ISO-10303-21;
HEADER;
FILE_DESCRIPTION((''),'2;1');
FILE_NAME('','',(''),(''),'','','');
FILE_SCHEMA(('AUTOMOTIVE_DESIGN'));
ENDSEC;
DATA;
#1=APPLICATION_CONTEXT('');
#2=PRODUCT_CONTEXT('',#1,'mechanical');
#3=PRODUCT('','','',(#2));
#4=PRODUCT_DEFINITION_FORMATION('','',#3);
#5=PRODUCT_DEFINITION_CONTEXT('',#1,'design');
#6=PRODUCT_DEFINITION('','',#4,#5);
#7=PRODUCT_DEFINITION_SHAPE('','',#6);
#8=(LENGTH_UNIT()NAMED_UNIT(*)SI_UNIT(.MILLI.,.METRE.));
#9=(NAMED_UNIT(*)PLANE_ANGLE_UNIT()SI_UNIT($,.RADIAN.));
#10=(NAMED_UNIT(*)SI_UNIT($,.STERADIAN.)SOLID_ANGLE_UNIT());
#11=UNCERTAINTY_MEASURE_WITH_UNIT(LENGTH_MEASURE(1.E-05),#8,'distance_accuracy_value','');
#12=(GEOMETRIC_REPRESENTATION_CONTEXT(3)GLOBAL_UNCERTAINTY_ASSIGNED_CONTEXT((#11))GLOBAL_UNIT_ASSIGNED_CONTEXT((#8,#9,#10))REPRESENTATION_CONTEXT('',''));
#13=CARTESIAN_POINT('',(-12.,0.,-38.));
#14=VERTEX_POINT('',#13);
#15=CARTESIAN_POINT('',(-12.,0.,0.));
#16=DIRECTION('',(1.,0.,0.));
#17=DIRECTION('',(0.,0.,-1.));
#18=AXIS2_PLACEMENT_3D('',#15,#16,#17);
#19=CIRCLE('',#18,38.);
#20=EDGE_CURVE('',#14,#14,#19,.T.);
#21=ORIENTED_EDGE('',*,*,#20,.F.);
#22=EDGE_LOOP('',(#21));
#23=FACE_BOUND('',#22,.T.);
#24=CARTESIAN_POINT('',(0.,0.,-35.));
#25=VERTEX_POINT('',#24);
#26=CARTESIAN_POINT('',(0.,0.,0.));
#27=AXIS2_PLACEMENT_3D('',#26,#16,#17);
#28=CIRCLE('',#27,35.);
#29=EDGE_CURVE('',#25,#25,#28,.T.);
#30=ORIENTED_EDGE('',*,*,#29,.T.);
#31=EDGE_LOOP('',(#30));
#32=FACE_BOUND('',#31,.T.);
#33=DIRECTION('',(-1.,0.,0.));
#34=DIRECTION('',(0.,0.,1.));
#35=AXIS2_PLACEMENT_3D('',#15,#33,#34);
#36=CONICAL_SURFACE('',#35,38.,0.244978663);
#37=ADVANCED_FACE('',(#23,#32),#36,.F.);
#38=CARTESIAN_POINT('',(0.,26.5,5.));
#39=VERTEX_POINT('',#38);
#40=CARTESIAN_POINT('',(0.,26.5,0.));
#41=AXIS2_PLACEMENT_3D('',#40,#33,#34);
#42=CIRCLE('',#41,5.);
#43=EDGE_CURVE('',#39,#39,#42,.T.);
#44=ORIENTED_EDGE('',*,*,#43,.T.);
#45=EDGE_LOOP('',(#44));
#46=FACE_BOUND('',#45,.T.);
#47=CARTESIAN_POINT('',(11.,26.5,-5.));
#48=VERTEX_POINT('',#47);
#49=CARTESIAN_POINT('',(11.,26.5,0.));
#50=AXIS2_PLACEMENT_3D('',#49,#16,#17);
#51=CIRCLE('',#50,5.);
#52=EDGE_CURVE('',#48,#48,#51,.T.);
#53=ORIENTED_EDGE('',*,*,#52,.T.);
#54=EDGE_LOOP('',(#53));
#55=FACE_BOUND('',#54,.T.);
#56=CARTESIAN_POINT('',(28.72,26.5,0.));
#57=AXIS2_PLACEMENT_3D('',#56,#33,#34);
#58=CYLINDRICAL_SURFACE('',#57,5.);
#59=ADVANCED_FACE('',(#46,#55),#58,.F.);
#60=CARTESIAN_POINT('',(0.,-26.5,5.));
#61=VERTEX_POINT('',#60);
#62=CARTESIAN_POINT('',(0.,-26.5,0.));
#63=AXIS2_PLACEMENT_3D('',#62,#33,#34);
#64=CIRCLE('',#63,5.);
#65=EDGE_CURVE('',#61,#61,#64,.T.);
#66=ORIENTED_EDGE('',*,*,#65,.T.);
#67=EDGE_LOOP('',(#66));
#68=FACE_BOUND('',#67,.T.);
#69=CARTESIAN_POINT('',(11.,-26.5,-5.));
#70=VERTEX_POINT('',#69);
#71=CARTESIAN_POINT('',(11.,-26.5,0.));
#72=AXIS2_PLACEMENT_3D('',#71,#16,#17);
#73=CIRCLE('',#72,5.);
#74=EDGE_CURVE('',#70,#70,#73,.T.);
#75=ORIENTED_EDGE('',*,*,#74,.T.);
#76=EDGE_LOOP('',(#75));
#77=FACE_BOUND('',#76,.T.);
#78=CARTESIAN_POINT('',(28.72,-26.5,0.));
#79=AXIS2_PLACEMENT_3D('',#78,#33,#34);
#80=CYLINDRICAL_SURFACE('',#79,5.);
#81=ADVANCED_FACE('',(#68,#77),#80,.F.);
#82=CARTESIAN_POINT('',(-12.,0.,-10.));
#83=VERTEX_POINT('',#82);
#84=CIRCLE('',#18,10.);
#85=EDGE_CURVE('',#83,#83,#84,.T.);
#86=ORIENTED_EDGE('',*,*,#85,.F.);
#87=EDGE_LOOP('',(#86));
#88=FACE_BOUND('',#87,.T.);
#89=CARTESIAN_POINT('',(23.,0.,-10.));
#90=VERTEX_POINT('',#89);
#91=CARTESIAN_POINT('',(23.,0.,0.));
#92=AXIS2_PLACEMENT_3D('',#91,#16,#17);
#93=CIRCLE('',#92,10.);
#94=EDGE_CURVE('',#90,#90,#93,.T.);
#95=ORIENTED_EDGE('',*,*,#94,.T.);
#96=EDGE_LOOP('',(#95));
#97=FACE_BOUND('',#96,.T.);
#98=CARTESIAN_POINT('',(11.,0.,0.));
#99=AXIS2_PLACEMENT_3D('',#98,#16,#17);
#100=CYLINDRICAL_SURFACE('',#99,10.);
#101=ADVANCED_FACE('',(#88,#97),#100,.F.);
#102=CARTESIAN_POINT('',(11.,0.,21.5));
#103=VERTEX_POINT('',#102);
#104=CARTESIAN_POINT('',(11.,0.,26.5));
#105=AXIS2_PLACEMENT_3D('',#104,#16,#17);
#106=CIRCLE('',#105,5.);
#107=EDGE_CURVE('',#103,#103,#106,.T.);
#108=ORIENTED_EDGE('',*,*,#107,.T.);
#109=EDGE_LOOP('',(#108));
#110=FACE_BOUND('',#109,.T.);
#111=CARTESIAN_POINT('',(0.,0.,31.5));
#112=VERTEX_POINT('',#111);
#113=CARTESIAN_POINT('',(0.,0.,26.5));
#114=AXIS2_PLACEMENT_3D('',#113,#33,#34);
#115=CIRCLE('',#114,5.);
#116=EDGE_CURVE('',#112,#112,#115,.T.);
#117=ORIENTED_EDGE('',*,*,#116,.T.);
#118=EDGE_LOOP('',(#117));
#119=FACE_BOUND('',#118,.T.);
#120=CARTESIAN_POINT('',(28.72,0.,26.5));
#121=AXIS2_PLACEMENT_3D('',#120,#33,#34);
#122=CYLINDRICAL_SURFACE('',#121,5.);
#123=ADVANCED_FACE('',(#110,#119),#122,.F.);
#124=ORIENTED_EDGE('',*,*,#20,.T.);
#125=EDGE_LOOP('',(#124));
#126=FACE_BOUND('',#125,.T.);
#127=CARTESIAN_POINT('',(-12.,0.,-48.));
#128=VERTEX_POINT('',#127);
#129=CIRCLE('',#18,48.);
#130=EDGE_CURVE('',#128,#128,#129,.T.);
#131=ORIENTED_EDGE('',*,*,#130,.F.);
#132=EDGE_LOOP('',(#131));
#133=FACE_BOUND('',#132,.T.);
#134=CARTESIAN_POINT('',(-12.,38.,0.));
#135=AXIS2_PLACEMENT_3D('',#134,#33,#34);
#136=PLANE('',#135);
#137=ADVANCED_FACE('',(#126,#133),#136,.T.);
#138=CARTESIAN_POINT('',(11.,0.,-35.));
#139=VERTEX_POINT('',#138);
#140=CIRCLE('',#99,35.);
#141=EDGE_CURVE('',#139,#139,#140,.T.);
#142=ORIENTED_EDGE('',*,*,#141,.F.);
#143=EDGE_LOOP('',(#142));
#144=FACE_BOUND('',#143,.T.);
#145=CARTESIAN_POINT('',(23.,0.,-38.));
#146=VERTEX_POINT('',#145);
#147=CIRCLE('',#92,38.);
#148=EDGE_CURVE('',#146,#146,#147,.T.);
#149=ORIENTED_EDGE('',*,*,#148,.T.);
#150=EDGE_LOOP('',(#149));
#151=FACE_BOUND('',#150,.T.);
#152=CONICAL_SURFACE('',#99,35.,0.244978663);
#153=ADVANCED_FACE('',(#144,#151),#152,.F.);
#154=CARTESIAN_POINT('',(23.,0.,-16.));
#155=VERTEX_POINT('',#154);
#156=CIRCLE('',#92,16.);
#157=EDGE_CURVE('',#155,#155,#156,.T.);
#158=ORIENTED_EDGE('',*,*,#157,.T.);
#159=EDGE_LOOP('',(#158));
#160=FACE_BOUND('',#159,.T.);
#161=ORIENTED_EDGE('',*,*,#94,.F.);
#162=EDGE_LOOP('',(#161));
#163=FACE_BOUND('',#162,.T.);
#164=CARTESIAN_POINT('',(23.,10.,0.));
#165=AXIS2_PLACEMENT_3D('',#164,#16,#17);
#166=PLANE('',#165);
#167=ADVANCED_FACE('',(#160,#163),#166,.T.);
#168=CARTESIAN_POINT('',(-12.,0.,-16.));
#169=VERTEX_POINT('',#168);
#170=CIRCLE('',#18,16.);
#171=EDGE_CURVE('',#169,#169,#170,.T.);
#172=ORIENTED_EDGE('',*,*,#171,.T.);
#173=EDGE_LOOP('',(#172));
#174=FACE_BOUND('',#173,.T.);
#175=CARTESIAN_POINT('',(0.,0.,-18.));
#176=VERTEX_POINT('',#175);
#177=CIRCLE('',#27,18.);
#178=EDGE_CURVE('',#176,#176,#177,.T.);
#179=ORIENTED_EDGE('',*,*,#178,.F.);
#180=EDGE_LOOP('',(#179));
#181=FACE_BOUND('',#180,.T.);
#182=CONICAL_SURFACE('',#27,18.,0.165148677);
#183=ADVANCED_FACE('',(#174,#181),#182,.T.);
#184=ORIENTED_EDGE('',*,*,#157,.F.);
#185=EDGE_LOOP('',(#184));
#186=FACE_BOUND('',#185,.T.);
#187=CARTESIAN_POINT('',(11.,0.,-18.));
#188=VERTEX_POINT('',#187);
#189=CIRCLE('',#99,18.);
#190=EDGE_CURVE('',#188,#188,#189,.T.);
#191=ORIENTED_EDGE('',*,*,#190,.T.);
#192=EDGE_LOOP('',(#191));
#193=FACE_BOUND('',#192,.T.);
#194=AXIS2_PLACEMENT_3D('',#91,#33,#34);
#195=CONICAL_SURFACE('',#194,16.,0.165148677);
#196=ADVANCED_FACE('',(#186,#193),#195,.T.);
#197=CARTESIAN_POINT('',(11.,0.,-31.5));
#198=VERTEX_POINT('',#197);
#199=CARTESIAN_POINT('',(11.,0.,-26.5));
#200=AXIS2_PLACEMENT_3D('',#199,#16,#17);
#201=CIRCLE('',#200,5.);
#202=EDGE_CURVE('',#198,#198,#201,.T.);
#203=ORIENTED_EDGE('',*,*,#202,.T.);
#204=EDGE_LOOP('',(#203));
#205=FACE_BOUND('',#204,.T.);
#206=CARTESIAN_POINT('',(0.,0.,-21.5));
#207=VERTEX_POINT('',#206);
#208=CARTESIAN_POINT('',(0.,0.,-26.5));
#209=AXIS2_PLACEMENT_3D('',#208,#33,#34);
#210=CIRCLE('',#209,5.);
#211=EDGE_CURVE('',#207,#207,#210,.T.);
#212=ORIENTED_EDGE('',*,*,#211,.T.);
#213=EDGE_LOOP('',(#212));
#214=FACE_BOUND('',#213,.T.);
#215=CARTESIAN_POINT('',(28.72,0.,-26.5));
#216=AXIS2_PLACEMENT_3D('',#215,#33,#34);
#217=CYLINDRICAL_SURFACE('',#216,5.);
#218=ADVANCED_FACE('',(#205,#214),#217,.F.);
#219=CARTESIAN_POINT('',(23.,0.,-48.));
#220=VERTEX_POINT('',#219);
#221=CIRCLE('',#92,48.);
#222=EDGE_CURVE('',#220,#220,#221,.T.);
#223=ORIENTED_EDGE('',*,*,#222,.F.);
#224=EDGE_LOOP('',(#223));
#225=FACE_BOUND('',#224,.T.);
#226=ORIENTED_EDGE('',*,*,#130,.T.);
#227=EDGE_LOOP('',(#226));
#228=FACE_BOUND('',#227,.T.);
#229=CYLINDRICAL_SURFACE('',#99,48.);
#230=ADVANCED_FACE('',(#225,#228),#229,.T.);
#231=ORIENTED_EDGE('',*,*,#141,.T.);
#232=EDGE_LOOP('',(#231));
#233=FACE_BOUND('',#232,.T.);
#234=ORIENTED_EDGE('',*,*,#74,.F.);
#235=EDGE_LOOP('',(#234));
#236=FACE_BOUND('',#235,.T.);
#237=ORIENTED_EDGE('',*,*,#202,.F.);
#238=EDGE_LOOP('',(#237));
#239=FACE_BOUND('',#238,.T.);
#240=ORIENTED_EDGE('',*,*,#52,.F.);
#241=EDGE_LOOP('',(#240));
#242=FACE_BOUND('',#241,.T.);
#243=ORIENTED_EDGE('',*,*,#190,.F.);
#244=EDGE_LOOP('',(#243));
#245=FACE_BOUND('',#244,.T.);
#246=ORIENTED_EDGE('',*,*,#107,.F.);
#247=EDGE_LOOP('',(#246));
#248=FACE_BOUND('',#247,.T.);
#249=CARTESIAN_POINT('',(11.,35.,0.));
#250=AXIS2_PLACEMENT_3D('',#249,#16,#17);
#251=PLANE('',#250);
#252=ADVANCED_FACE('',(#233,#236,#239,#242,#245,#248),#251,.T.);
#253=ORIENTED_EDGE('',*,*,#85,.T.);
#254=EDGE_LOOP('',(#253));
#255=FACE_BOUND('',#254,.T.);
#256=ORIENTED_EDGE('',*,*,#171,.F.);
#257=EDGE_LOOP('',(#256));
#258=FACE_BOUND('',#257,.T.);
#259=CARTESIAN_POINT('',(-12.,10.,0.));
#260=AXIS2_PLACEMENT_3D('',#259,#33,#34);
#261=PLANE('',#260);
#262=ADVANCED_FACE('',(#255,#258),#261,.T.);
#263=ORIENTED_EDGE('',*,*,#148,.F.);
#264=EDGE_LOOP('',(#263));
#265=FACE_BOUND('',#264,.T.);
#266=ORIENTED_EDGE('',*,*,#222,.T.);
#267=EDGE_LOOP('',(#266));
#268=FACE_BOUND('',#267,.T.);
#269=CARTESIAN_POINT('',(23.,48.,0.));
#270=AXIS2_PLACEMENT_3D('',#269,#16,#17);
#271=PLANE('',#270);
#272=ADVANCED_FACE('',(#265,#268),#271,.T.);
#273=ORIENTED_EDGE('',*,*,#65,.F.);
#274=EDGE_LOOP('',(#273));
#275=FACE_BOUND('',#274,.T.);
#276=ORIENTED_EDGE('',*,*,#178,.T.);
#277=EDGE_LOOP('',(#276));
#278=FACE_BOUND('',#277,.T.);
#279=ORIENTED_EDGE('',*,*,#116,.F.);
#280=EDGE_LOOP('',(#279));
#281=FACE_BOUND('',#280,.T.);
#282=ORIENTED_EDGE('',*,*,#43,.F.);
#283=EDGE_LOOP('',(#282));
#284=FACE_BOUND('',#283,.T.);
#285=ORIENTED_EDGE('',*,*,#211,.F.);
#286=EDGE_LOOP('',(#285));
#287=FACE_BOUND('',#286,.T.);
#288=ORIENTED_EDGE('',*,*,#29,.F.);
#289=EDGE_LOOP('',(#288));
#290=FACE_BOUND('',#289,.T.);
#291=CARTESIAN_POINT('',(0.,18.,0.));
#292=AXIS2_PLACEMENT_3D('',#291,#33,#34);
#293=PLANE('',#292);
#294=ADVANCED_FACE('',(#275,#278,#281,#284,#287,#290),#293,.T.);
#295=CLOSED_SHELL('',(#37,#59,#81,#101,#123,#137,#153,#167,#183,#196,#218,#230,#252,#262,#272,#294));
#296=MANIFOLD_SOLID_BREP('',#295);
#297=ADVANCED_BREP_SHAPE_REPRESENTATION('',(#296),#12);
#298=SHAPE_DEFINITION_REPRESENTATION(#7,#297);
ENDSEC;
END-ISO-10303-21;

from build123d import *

# Parameters (mm, degrees)
CUT_EXTRUDE3_START = -40.72
SKETCH15_R         = 10
CUT_EXTRUDE3_DEPTH = 40.72
SKETCH16_R         = 5
CUT_EXTRUDE4_DEPTH = 40.72


with BuildPart() as part:
    # Sketch1 → Revolve5 (revolve)
    with BuildSketch(Plane.XY, mode=Mode.PRIVATE) as revolve5_sk:
        Polygon((0, 0), (0, 10), (-12, 10), (-12, 16), (0, 18), (0, 35), (-12, 38), (-12, 48), (23, 48), (23, 38), (11, 35), (11, 18), (23, 16), (23, 10), (11, 10), (11, 0), align=None)
    revolve(revolve5_sk.sketch.rotate(Axis((11, 0, 0), (-1, 0, 0)), 90), axis=Axis((11, 0, 0), (-1, 0, 0)))

    # Sketch15 → Cut-Extrude3 (cut)
    with BuildSketch(Plane(origin=(11, 0, 0), x_dir=(0, 0, -1), z_dir=(1, 0, 0)).offset(CUT_EXTRUDE3_START)):
        Circle(SKETCH15_R)
    extrude(amount=CUT_EXTRUDE3_DEPTH, mode=Mode.SUBTRACT)

    # Sketch16 → Cut-Extrude4 (cut)
    with BuildSketch(Plane.ZY.offset(12)):
        with Locations((0, 26.5)):
            Circle(SKETCH16_R)
        with Locations((26.5, 0)):
            Circle(SKETCH16_R)
        with Locations((0, -26.5)):
            Circle(SKETCH16_R)
        with Locations((-26.5, 0)):
            Circle(SKETCH16_R)
    extrude(amount=-CUT_EXTRUDE4_DEPTH, mode=Mode.SUBTRACT)


solid = part.part
